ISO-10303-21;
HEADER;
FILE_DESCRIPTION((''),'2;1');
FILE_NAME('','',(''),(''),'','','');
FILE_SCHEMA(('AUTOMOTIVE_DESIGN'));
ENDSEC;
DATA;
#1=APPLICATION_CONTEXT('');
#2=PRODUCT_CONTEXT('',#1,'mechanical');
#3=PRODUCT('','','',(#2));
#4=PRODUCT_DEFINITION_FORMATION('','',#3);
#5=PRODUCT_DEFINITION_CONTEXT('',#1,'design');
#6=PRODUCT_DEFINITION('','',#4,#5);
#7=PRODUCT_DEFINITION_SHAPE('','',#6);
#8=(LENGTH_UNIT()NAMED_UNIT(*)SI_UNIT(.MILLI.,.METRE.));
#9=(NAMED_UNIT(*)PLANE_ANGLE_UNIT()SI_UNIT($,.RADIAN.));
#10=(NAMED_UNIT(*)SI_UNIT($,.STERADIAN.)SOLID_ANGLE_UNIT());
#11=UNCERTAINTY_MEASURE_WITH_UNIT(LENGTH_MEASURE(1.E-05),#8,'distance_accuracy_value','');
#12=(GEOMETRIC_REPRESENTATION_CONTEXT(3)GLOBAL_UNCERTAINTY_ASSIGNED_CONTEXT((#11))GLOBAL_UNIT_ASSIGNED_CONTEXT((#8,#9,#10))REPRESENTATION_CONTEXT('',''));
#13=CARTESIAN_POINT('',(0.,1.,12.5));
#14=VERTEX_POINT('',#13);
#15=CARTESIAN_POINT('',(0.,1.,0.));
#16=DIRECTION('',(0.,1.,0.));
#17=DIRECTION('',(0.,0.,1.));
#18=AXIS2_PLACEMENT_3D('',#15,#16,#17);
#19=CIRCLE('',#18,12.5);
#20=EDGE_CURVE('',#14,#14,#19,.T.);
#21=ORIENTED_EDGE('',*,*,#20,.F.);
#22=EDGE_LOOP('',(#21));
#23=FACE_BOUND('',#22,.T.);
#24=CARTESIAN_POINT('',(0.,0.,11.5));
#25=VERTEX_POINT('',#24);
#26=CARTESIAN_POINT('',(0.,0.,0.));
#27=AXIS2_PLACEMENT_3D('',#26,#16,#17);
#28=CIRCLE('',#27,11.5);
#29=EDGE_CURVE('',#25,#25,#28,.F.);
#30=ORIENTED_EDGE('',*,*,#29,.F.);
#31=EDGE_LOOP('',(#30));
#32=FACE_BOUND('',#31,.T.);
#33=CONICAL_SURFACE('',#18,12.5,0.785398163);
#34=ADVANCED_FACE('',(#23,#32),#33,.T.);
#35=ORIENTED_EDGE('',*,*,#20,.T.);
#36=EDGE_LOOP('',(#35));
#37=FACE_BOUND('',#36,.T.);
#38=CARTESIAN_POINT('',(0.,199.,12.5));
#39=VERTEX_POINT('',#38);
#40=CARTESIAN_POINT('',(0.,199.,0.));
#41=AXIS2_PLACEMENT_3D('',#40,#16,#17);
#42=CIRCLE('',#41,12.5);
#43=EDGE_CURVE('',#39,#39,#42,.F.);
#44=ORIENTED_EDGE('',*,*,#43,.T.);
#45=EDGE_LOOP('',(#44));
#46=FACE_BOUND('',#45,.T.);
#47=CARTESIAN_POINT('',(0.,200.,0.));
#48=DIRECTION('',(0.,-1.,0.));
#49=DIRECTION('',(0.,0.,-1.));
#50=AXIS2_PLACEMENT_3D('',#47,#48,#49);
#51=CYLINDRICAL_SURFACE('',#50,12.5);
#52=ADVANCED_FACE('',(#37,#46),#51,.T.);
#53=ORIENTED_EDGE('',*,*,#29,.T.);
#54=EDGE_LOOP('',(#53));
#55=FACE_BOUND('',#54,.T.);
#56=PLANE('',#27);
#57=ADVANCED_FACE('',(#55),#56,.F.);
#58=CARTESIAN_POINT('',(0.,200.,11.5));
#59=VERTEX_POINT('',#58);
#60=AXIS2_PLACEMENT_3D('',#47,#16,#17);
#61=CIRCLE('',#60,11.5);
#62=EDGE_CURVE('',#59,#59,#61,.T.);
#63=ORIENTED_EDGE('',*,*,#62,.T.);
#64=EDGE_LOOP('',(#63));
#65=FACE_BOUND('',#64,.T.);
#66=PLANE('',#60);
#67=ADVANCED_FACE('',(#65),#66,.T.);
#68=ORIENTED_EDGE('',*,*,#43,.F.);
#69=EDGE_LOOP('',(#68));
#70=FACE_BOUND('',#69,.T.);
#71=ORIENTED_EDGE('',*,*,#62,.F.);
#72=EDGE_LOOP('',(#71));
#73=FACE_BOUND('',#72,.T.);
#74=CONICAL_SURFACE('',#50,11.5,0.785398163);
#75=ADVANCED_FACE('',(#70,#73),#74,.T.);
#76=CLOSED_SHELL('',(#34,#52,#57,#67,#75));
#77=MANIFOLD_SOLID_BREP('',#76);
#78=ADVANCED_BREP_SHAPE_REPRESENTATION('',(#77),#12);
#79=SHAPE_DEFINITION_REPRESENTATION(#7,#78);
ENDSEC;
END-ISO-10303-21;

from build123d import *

# Parameters (mm, degrees)
SKETCH1_R           = 12.5
BOSS_EXTRUDE1_DEPTH = 200
CHAMFER1_SIZE       = 1


with BuildPart() as part:
    # Sketch1 → Boss-Extrude1 (new body)
    with BuildSketch(Plane(origin=(0, 0, 0), x_dir=(1, 0, 0), z_dir=(0, 1, 0))):
        Circle(SKETCH1_R)
    extrude(amount=BOSS_EXTRUDE1_DEPTH)

    # Chamfer1
    chamfer1_edges = [part.edges().sort_by_distance(p)[0] for p in [
        (-12.5, 0, 0),
        (-12.5, 200, 0),
    ]]
    chamfer(chamfer1_edges, length=CHAMFER1_SIZE)


solid = part.part
